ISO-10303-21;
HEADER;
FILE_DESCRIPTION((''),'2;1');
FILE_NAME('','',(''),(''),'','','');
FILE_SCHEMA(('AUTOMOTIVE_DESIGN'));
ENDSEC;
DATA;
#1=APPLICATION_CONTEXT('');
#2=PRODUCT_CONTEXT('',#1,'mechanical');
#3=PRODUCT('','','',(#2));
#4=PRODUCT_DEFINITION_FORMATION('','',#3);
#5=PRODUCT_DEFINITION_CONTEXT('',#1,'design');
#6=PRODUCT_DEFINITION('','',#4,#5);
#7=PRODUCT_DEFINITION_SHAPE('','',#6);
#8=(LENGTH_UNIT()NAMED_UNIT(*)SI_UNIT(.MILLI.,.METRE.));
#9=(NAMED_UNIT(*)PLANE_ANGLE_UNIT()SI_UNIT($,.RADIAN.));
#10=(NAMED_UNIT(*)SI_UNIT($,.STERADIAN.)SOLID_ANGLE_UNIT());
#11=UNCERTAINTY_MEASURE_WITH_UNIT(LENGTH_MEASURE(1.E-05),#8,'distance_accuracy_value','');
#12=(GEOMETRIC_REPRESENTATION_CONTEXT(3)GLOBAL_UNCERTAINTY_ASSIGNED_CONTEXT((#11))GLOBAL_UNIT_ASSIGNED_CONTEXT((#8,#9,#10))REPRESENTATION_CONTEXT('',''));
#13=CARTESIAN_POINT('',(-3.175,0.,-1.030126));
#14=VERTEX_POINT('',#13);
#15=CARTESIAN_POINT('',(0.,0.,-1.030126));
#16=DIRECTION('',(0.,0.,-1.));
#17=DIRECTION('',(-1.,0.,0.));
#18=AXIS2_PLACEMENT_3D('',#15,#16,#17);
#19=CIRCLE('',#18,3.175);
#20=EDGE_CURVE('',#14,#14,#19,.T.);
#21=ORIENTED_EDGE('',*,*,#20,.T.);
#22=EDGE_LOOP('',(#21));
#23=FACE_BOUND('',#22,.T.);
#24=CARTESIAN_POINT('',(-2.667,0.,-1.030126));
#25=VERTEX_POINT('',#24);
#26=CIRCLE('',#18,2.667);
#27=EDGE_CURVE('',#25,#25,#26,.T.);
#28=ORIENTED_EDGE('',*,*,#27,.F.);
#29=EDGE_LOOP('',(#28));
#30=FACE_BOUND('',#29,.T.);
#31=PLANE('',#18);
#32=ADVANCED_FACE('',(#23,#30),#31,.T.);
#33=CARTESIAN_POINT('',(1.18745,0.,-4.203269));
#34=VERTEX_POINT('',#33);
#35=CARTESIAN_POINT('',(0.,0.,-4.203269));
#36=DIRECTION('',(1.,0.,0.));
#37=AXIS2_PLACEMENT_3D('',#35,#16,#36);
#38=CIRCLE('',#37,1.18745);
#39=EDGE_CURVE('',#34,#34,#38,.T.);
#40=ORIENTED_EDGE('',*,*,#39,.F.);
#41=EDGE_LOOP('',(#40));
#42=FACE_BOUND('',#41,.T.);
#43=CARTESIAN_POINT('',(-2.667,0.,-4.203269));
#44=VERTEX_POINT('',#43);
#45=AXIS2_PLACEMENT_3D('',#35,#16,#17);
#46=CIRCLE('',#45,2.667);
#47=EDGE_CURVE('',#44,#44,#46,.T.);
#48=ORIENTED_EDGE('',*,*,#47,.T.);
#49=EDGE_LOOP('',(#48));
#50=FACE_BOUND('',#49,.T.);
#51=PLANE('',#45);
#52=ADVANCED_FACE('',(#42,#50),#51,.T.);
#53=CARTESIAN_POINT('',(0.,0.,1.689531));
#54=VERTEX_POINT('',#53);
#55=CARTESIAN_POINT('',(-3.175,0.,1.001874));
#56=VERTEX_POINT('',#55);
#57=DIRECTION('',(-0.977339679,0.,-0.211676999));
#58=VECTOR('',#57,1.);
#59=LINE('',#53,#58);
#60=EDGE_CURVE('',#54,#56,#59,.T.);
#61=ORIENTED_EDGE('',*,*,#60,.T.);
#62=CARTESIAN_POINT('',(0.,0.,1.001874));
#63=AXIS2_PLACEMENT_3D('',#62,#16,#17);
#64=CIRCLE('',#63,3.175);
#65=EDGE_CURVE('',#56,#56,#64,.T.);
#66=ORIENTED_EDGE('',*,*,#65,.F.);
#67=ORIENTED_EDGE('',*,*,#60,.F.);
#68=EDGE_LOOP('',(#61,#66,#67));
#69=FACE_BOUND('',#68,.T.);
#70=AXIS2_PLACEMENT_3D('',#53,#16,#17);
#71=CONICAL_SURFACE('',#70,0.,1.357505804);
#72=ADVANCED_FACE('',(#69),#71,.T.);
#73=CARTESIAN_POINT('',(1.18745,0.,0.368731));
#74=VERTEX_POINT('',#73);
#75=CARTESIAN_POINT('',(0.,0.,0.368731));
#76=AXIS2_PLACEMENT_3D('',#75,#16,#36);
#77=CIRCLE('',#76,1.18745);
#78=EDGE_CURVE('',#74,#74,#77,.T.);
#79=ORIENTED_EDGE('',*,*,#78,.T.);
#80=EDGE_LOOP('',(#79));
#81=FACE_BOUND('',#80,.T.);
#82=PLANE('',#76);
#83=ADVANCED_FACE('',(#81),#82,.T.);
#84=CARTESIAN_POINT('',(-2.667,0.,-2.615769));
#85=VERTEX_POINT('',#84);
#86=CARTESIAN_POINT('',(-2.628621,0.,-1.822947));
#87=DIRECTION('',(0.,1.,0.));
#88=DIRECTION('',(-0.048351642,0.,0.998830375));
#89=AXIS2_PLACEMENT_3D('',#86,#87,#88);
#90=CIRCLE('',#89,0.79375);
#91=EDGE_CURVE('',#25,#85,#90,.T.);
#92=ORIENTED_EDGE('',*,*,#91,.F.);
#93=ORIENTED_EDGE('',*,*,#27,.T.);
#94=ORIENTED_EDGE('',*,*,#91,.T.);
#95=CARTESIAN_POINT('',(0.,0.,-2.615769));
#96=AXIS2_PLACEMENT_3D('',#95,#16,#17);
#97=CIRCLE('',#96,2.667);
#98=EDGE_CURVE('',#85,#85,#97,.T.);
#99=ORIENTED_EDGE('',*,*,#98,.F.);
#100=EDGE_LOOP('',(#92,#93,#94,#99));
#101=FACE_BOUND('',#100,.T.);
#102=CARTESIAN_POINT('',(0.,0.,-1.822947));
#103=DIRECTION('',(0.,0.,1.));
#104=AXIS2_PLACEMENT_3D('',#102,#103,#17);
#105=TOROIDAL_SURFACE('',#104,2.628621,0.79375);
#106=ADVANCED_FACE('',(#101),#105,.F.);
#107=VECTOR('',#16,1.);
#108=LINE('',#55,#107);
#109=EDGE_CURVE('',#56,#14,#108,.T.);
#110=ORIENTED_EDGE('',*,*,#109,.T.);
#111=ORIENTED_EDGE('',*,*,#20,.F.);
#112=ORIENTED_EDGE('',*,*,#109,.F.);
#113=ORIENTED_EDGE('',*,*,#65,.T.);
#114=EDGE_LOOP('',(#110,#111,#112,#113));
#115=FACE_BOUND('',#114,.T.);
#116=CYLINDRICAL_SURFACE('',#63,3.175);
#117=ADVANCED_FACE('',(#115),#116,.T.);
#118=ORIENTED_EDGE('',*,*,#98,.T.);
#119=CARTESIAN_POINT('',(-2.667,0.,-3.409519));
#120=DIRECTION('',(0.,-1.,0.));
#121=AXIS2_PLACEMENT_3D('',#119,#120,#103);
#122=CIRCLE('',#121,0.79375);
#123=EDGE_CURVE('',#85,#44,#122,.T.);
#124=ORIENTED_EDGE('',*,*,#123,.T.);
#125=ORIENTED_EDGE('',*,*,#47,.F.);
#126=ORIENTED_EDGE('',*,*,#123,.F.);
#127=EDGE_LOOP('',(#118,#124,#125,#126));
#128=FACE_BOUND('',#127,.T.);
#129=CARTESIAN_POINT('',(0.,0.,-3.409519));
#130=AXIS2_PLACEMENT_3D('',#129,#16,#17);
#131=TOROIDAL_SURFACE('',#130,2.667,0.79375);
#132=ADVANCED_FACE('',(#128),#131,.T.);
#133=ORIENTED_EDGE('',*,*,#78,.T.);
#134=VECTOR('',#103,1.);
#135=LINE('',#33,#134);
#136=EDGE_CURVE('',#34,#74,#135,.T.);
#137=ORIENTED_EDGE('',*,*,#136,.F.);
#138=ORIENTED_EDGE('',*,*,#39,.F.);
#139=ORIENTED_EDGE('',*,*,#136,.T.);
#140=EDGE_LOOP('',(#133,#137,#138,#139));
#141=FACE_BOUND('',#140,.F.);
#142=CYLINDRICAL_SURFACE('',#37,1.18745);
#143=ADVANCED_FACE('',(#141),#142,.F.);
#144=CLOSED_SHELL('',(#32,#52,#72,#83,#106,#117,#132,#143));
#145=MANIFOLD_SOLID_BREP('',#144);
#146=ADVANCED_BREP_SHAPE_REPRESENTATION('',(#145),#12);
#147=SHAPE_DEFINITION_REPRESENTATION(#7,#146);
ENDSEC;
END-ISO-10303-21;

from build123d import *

# Parameters (mm, degrees)
F2_R     = 1.18745
F3_DEPTH = 4.572


with BuildPart() as f1:
    # F0 (on Front) → F1 (revolve)
    with BuildSketch(Plane.XZ):
        with BuildLine():
            Line((0, -4.203269), (0, 1.689531))
            Line((0, 1.689531), (-3.175, 1.001874))
            Line((-3.175, 1.001874), (-3.175, -1.030126))
            Line((-3.175, -1.030126), (-2.667, -1.030126))
            ThreePointArc((-2.667, -1.030126), (-1.834871, -1.822947), (-2.667, -2.615769))
            ThreePointArc((-2.667, -2.615769), (-3.46075, -3.409519), (-2.667, -4.203269))
            Line((-2.667, -4.203269), (0, -4.203269))
        make_face()
    revolve(axis=Axis((0, 0, 0.38379), (0, 0, -1)))

    # F2 (on face) → F3 (cut)
    with BuildSketch(Plane(origin=(0, 0, -4.203269), x_dir=(1, 0, 0), z_dir=(0, 0, -1))):
        Circle(F2_R)
    extrude(amount=-F3_DEPTH, mode=Mode.SUBTRACT)


solid = f1.part
